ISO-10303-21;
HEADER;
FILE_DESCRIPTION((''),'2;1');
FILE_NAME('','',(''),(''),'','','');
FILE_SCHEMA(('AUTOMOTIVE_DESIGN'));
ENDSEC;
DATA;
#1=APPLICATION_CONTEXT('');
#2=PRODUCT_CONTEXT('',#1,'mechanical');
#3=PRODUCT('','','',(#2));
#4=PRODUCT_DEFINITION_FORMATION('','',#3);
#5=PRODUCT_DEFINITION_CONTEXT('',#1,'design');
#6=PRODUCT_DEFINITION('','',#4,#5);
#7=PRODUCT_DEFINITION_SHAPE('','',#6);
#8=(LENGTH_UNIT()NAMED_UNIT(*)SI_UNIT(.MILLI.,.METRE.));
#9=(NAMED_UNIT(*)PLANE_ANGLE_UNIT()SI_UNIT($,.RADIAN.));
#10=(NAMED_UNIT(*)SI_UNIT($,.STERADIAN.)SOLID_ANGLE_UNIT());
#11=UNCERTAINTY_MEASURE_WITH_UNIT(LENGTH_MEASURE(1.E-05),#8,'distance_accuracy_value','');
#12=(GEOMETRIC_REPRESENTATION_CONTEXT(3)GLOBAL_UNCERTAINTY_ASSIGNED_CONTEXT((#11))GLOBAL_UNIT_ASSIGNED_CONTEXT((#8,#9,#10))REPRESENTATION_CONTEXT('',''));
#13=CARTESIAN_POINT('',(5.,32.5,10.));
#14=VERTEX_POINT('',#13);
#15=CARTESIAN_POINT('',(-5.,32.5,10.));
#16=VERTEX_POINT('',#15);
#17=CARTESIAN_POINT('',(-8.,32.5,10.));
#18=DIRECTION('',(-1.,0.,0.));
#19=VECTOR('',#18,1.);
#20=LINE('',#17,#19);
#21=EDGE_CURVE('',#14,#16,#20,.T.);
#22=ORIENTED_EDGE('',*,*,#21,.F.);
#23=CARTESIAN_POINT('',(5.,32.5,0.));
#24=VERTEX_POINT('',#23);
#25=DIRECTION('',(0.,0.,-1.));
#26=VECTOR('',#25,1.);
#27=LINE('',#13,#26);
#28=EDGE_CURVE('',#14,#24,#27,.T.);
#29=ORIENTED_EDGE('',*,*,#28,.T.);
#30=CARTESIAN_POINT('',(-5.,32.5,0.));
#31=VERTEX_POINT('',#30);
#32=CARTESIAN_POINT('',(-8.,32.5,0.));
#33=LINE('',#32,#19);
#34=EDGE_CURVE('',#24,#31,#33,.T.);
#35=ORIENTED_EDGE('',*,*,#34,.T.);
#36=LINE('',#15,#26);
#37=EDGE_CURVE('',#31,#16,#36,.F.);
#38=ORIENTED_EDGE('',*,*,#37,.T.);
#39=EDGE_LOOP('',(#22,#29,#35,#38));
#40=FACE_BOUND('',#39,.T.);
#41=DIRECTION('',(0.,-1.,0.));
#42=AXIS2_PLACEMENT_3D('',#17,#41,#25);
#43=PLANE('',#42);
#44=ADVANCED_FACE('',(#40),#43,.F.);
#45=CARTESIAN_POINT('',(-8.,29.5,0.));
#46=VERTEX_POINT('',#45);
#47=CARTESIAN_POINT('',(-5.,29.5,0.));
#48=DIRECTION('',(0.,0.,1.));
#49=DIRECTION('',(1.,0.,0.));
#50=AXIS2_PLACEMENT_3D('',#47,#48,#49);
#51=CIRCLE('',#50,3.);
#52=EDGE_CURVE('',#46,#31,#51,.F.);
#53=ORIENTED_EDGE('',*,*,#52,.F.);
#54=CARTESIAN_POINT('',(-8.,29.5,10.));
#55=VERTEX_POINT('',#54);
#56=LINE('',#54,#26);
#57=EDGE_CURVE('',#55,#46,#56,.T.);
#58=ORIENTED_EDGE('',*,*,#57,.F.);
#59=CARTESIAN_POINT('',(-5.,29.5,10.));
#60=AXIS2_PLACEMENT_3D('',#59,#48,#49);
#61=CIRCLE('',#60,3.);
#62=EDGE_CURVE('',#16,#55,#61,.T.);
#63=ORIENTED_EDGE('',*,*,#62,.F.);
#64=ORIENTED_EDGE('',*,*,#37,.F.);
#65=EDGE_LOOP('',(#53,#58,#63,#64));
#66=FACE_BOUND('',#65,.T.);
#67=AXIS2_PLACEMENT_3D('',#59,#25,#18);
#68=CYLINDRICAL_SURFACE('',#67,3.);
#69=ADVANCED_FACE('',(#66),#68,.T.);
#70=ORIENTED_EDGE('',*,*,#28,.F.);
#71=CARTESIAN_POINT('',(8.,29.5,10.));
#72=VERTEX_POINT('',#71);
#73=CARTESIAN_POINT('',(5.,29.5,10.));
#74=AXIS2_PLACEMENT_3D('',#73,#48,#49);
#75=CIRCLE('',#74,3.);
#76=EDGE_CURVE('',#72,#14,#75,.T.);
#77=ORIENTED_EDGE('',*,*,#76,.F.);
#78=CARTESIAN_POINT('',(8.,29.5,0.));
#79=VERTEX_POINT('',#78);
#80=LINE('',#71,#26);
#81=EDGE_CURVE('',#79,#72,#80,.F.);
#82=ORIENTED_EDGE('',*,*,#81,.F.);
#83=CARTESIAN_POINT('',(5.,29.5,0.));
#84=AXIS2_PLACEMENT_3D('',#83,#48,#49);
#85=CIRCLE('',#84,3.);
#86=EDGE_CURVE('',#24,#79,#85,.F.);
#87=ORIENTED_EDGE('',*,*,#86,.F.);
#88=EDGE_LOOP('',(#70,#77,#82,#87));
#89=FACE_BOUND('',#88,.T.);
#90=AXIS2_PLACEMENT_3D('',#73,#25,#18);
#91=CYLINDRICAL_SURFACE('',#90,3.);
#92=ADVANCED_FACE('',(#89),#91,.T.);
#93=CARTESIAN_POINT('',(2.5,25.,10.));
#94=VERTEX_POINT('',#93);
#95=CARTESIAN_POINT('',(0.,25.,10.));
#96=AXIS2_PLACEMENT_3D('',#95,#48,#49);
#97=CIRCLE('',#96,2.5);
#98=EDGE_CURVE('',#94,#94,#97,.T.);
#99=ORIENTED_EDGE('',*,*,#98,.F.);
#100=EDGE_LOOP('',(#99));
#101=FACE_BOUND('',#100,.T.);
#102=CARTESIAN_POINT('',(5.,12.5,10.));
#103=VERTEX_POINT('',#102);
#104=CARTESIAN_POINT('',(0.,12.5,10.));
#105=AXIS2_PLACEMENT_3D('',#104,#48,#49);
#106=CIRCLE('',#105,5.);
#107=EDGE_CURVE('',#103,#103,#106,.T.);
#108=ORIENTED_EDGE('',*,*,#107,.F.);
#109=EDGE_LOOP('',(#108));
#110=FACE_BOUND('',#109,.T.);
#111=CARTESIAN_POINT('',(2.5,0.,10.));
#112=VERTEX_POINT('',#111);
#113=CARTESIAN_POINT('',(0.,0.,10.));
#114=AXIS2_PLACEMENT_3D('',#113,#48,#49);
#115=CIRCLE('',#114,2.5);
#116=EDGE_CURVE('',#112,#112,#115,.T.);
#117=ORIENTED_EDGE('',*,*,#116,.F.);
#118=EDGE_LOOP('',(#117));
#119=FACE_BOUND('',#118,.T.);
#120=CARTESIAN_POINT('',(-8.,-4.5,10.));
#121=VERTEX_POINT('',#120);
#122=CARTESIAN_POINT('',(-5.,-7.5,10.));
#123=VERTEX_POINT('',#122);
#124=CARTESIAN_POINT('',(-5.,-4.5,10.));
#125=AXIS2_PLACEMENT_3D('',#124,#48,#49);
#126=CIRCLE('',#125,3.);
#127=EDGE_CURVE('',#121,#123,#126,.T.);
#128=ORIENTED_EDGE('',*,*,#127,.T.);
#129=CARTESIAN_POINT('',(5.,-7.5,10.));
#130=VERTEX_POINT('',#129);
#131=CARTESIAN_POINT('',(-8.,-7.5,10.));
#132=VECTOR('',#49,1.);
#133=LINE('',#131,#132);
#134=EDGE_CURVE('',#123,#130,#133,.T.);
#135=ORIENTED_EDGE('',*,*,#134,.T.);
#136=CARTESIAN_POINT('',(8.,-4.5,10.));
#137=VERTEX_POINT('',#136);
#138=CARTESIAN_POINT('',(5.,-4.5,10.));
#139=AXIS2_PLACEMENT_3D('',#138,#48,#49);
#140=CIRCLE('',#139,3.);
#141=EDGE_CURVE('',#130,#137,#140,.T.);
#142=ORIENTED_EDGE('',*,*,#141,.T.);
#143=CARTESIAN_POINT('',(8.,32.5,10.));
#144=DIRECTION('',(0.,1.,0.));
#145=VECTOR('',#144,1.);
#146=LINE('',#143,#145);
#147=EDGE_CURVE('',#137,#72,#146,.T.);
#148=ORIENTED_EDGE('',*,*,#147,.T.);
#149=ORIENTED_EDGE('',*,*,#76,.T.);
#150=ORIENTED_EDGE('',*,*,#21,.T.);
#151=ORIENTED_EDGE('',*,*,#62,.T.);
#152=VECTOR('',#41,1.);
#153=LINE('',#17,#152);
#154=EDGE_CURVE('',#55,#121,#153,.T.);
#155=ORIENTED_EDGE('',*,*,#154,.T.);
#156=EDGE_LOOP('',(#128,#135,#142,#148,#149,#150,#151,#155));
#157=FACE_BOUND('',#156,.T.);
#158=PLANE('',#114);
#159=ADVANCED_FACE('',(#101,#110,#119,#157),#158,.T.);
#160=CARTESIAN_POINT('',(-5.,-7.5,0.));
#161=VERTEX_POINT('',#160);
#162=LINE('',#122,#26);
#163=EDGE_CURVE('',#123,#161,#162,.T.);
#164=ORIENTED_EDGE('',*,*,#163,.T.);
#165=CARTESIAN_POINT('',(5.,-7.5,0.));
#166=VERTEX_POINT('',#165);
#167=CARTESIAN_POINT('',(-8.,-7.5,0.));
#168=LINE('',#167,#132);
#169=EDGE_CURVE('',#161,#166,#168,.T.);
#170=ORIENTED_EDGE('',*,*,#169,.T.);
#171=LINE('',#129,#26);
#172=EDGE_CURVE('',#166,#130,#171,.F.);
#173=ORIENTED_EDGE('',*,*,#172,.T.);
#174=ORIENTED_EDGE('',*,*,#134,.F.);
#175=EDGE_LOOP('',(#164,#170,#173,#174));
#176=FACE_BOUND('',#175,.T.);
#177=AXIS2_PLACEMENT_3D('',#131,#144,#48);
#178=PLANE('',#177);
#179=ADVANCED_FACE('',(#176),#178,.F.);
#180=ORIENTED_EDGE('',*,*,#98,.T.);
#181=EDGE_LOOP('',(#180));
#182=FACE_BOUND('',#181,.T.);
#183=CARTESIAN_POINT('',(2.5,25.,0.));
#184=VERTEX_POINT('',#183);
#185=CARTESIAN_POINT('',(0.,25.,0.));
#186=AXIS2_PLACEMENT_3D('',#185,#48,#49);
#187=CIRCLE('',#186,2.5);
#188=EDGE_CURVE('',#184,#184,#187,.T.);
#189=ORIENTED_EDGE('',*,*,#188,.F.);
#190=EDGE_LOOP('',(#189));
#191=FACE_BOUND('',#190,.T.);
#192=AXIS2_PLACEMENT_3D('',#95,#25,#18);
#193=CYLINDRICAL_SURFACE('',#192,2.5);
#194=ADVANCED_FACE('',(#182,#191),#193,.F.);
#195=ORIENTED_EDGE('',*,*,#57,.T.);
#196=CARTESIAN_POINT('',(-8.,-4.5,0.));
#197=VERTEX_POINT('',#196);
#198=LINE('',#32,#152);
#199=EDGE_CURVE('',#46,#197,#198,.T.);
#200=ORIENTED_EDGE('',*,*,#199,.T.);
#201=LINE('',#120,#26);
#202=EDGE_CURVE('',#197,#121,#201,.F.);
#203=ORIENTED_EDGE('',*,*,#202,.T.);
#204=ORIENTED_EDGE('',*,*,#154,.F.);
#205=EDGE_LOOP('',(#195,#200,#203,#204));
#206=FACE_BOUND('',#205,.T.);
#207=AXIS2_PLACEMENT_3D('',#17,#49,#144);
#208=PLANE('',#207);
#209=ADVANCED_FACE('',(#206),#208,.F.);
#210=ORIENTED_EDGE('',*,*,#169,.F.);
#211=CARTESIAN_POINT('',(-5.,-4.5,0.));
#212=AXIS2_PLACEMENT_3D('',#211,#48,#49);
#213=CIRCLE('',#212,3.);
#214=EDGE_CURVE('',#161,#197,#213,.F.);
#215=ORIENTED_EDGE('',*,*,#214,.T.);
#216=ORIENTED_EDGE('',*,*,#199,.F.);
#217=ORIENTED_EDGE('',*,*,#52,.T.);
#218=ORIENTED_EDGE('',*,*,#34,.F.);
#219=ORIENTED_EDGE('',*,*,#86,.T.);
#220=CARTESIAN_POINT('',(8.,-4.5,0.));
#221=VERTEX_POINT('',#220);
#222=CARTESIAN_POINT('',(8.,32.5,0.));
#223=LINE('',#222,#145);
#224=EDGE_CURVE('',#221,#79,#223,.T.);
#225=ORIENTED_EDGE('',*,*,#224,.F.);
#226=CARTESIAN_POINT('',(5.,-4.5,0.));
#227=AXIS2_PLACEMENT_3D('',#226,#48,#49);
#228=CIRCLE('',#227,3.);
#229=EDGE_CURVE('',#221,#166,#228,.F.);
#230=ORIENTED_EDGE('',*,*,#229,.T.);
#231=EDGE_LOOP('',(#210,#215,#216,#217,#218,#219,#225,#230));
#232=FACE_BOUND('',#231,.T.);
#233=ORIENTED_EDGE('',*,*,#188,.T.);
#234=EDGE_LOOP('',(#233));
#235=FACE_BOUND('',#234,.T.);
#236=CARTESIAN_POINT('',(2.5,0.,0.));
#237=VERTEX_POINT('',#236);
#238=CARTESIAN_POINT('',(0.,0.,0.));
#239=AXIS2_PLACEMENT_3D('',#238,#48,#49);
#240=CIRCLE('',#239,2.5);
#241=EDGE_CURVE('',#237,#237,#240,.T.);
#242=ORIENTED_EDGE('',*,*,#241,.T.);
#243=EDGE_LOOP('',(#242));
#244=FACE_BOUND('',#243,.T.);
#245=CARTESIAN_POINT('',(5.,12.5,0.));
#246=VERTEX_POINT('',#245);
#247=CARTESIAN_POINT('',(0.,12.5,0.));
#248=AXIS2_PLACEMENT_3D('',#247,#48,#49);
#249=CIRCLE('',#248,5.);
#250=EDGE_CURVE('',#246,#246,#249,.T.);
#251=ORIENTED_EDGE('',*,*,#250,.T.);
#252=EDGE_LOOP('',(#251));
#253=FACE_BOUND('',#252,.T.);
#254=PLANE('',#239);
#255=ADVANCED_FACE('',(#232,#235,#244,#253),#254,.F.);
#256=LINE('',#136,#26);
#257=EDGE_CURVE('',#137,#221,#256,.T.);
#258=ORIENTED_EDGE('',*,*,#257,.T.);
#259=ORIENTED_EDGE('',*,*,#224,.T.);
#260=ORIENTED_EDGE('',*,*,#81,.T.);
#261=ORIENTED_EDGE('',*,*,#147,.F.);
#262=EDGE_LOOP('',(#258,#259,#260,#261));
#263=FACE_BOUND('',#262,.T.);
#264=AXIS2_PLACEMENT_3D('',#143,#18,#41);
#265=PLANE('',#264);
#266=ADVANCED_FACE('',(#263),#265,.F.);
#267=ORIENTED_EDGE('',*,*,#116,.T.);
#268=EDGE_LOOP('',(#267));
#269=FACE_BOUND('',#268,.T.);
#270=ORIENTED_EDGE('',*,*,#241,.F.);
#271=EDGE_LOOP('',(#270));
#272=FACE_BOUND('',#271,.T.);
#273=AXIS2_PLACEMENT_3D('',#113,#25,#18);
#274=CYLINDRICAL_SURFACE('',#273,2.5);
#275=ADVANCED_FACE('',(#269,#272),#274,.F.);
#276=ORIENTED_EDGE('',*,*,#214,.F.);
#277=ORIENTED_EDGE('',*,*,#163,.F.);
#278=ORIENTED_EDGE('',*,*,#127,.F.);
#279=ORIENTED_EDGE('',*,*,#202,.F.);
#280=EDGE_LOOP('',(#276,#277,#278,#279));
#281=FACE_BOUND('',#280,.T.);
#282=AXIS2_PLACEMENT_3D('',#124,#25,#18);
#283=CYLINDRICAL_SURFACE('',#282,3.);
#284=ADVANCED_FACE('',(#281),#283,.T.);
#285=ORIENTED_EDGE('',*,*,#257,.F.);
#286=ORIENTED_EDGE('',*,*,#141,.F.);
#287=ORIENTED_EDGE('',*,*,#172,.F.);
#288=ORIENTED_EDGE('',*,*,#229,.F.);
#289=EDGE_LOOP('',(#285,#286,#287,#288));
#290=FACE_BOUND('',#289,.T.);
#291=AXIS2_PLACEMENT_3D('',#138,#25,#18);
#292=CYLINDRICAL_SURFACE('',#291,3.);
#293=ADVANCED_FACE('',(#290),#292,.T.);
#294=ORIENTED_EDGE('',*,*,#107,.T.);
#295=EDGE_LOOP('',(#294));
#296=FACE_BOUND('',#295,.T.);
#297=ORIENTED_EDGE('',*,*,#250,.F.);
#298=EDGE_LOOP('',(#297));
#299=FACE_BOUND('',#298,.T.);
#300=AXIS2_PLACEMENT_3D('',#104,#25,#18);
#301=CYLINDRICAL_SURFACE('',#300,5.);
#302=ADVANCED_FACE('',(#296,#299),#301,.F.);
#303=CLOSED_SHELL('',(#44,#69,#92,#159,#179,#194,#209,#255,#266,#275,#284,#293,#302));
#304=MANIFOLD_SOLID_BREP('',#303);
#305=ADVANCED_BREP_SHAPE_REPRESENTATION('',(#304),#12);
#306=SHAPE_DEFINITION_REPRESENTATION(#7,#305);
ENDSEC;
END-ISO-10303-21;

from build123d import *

# Parameters (mm, degrees)
SKETCH_1_W      = 16
SKETCH_1_H      = 40
SKETCH_1_R      = 2.5
SKETCH_1_R_2    = 5
EXTRUDE_1_DEPTH = 10
FILLET_1_R      = 3


with BuildPart() as part:
    # 草图1 → 凸台-拉伸1 (new body)
    with BuildSketch(Plane.XY):
        with Locations((0, 12.5)):
            Rectangle(SKETCH_1_W, SKETCH_1_H)
        with Locations((0, 25)):
            Circle(SKETCH_1_R, mode=Mode.SUBTRACT)
        Circle(SKETCH_1_R, mode=Mode.SUBTRACT)
        with Locations((0, 12.5)):
            Circle(SKETCH_1_R_2, mode=Mode.SUBTRACT)
    extrude(amount=EXTRUDE_1_DEPTH)

    # 圆角1
    fillet_1_edges = [part.edges().sort_by_distance(p)[0] for p in [
        (8, -7.5, 5),
        (-8, -7.5, 5),
        (-8, 32.5, 5),
        (8, 32.5, 5),
    ]]
    fillet(fillet_1_edges, radius=FILLET_1_R)


solid = part.part
